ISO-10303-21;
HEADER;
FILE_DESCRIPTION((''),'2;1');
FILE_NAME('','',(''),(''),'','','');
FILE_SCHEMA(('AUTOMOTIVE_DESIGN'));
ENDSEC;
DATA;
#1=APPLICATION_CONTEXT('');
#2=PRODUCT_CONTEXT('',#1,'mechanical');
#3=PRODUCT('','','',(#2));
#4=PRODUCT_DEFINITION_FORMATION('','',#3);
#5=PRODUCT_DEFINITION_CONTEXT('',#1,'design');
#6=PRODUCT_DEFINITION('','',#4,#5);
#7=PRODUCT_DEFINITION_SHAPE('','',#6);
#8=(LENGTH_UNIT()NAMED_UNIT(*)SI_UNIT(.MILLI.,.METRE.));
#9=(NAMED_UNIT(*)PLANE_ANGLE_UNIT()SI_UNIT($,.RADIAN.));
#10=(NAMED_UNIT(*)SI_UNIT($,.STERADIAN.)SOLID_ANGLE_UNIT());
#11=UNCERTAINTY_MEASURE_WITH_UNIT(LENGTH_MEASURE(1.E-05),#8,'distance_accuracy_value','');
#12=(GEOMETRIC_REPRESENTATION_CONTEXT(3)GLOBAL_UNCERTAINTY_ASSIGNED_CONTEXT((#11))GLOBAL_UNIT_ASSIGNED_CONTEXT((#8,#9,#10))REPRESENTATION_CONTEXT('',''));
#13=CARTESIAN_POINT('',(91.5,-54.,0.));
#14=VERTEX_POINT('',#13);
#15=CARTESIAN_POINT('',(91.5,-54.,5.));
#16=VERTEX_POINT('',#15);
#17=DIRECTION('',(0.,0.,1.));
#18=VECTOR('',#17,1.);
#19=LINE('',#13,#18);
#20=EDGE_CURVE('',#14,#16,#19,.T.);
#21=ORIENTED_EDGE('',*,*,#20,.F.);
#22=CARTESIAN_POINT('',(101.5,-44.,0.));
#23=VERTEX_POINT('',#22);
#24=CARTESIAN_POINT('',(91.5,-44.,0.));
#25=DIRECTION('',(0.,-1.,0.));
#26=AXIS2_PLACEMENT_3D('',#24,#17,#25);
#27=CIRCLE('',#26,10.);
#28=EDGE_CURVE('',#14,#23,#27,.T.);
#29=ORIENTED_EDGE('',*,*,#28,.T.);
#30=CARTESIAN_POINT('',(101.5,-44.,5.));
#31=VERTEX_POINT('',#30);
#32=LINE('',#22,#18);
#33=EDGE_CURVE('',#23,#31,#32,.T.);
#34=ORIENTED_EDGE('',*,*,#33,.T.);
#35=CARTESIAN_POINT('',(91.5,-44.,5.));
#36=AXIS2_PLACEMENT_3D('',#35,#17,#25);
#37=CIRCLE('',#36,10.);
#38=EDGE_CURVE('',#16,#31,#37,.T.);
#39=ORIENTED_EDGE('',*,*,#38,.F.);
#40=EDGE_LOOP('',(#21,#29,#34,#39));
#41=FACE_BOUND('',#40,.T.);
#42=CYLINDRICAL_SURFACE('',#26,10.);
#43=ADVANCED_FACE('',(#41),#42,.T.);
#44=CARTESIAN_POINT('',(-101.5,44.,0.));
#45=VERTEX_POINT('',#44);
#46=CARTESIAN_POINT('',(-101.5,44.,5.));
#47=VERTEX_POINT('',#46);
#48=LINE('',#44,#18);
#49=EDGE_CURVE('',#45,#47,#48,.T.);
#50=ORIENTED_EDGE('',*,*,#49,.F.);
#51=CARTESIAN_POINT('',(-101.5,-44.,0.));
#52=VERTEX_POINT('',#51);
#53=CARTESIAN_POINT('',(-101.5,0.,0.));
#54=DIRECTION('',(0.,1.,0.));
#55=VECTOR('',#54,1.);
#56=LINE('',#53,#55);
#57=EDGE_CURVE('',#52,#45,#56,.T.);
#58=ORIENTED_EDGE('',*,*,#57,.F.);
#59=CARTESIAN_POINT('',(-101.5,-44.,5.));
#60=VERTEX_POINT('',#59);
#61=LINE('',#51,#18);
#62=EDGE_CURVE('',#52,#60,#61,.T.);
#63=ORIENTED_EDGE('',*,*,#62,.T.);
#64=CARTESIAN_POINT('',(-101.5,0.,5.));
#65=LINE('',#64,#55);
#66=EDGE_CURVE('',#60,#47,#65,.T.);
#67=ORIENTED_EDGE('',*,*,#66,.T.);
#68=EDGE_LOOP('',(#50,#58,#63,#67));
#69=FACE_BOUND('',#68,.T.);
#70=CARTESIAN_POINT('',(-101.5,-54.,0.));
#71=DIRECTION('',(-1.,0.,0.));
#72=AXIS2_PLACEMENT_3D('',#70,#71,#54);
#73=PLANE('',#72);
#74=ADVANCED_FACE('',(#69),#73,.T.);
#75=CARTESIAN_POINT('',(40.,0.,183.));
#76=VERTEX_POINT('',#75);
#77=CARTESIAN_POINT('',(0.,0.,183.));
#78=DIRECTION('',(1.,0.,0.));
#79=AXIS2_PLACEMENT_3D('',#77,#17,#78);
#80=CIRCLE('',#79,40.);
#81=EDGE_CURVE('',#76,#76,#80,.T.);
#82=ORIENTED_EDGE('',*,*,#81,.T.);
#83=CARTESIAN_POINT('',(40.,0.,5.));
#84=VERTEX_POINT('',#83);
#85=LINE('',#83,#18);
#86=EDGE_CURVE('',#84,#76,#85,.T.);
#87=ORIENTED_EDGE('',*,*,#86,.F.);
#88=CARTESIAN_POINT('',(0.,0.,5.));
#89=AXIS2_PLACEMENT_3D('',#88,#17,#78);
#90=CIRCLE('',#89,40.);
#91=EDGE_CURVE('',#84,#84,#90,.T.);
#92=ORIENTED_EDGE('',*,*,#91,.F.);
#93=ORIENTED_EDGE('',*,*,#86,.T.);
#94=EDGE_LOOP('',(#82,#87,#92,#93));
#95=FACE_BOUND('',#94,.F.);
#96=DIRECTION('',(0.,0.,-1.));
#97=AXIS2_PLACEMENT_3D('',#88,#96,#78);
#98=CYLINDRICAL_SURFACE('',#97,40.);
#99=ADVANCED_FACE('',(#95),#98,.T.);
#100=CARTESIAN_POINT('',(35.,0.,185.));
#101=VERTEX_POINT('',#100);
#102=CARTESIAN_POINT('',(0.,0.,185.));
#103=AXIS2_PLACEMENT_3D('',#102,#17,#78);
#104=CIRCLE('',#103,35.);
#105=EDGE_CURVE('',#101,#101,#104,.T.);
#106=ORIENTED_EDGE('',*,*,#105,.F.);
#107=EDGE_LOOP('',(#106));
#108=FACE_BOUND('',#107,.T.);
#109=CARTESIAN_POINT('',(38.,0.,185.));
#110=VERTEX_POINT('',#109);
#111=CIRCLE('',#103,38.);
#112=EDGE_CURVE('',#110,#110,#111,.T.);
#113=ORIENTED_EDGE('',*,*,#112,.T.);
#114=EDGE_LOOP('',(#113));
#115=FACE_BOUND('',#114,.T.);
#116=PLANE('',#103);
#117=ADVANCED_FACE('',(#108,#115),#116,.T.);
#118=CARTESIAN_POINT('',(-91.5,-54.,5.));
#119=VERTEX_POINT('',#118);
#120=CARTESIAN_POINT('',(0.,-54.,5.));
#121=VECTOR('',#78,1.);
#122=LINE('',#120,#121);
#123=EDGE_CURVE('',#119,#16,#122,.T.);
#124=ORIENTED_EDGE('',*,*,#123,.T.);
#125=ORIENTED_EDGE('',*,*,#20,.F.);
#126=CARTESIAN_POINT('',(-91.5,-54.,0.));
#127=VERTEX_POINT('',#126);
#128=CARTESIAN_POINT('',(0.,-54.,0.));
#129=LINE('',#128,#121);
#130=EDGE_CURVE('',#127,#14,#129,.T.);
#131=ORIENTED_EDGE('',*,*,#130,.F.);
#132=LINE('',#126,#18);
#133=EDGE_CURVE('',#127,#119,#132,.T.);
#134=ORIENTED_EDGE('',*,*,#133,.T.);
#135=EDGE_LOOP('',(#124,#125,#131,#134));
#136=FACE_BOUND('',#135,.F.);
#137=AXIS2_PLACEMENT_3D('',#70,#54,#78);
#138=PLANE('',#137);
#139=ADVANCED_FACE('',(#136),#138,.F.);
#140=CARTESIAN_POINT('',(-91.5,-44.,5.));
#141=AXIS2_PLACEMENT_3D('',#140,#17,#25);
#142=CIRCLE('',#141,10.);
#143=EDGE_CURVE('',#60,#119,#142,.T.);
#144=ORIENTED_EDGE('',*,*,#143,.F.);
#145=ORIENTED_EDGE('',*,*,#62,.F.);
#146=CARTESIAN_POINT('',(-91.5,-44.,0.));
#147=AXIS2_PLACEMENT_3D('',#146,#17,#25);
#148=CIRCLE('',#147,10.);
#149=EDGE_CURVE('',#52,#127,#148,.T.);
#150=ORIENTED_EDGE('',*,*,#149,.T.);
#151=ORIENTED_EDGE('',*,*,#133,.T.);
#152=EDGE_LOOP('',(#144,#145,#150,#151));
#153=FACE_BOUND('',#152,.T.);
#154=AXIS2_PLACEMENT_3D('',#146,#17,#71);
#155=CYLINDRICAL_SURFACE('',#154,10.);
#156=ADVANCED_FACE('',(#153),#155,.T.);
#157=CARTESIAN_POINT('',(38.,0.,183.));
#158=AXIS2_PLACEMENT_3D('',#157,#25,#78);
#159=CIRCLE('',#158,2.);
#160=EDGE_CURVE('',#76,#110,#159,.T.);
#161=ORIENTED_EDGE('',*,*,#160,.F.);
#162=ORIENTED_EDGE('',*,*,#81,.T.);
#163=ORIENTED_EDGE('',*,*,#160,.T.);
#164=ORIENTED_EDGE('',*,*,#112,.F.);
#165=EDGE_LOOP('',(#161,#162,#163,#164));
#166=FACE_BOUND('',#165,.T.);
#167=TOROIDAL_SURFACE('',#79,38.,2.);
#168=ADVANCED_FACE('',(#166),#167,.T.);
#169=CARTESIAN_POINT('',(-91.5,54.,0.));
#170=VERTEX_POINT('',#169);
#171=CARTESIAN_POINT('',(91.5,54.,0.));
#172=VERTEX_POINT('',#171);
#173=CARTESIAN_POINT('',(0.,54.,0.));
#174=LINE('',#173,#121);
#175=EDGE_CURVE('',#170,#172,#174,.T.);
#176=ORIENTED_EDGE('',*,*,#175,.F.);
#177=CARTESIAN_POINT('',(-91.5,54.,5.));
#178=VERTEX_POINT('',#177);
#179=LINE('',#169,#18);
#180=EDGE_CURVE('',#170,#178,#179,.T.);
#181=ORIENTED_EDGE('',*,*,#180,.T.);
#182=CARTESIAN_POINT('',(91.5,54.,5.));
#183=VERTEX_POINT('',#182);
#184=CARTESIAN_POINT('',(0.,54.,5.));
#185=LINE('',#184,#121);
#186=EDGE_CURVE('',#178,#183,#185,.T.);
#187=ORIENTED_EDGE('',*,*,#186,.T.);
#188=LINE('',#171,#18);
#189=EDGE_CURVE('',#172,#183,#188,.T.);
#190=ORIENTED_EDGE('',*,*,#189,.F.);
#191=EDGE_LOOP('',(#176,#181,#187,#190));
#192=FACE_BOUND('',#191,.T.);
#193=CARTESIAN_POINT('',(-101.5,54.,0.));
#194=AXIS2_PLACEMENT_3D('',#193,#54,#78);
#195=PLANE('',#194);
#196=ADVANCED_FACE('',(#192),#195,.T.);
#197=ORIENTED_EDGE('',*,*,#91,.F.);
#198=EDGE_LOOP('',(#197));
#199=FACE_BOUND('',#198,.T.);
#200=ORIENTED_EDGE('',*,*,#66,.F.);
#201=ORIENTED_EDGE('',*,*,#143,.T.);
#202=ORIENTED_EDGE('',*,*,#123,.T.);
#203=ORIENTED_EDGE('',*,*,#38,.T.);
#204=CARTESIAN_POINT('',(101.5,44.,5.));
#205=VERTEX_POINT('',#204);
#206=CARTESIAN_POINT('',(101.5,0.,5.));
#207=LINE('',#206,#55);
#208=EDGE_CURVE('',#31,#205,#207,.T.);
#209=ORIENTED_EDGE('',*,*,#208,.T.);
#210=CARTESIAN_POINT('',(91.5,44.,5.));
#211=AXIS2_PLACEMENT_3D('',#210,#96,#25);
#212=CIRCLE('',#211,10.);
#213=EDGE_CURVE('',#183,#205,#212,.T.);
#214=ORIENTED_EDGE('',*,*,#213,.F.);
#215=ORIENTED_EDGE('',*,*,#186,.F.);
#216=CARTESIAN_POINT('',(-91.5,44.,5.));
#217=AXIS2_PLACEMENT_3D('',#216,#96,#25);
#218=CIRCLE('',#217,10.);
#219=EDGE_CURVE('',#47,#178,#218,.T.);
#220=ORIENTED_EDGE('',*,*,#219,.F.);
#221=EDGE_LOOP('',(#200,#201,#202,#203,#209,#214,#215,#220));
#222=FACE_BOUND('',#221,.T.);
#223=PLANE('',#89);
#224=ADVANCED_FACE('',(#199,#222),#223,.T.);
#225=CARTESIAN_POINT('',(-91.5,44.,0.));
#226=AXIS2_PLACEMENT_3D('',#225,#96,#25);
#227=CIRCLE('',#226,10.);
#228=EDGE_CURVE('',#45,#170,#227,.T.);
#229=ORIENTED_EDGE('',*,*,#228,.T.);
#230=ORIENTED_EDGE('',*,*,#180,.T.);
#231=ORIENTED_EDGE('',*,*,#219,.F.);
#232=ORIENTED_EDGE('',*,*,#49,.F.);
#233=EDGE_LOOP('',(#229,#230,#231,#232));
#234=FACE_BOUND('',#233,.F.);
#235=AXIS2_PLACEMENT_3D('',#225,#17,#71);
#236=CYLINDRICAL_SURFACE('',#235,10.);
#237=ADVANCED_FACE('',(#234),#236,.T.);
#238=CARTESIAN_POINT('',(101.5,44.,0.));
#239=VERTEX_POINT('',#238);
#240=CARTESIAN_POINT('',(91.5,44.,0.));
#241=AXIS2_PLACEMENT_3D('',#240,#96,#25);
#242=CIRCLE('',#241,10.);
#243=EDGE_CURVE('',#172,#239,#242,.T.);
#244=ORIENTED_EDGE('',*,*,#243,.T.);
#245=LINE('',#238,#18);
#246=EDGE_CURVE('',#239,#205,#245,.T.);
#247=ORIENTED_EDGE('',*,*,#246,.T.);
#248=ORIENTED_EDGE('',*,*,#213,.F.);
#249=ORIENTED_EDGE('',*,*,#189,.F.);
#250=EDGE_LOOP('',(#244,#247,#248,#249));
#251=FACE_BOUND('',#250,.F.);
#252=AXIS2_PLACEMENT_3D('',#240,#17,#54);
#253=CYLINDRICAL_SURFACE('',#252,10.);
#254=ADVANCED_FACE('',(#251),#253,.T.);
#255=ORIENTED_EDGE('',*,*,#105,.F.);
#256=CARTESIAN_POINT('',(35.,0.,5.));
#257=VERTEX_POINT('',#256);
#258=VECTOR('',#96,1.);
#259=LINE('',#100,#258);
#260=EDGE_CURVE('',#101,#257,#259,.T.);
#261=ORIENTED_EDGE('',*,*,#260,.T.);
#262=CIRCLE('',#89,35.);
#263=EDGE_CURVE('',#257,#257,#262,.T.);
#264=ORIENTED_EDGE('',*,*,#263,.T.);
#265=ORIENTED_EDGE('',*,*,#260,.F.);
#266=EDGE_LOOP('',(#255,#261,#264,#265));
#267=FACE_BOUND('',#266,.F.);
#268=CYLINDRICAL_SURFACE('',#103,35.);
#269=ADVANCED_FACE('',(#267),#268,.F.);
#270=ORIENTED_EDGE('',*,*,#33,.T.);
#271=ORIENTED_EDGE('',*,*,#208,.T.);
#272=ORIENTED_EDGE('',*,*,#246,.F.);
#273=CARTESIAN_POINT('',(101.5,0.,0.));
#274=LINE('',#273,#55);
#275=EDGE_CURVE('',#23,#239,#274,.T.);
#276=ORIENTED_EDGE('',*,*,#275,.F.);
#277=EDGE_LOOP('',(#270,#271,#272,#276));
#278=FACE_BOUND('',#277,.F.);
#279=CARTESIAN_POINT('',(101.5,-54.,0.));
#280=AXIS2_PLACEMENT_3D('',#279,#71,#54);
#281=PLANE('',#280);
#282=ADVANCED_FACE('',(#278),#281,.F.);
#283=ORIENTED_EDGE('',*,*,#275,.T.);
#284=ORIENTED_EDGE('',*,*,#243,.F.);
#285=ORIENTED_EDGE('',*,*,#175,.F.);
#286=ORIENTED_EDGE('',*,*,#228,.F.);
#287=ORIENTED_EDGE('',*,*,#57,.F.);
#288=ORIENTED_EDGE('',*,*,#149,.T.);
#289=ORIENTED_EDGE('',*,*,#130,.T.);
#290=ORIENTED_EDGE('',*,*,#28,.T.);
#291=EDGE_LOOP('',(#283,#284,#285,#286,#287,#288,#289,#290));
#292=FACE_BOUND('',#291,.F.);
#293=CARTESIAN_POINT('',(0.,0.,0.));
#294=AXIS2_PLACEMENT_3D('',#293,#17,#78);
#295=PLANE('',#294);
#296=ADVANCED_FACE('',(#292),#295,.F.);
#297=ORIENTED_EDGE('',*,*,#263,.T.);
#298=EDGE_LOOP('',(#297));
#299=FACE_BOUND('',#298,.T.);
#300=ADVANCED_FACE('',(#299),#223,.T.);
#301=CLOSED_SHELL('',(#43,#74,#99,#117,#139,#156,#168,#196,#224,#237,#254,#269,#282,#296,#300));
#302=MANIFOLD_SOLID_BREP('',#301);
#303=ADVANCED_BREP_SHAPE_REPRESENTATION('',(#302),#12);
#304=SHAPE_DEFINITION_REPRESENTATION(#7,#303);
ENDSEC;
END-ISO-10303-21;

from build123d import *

# Parameters (mm, degrees)
F0_W     = 203
F0_H     = 108
F1_DEPTH = 5
F2_R     = 40
F3_DEPTH = 180
F4_R     = 35
F5_DEPTH = 180
F6_R     = 10
F7_R     = 2


with BuildPart() as f1:
    # F0 (on Top) → F1 (new body)
    with BuildSketch(Plane.XY):
        Rectangle(F0_W, F0_H)
    extrude(amount=F1_DEPTH)

    # F2 (on face) → F3 (join)
    with BuildSketch(Plane.XY.offset(5)):
        Circle(F2_R)
    extrude(amount=F3_DEPTH)

    # F4 (on face) → F5 (cut)
    with BuildSketch(Plane.XY.offset(185)):
        Circle(F4_R)
    extrude(amount=-F5_DEPTH, mode=Mode.SUBTRACT)

    # F6
    f6_edges = [f1.edges().sort_by_distance(p)[0] for p in [
        (101.5, -54, 2.5),
        (101.5, 54, 2.5),
        (-101.5, 54, 2.5),
        (-101.5, -54, 2.5),
    ]]
    fillet(f6_edges, radius=F6_R)

    # F7
    f7_edges = [f1.edges().sort_by_distance(p)[0] for p in [
        (-40, 0, 185),
    ]]
    fillet(f7_edges, radius=F7_R)


solid = f1.part
